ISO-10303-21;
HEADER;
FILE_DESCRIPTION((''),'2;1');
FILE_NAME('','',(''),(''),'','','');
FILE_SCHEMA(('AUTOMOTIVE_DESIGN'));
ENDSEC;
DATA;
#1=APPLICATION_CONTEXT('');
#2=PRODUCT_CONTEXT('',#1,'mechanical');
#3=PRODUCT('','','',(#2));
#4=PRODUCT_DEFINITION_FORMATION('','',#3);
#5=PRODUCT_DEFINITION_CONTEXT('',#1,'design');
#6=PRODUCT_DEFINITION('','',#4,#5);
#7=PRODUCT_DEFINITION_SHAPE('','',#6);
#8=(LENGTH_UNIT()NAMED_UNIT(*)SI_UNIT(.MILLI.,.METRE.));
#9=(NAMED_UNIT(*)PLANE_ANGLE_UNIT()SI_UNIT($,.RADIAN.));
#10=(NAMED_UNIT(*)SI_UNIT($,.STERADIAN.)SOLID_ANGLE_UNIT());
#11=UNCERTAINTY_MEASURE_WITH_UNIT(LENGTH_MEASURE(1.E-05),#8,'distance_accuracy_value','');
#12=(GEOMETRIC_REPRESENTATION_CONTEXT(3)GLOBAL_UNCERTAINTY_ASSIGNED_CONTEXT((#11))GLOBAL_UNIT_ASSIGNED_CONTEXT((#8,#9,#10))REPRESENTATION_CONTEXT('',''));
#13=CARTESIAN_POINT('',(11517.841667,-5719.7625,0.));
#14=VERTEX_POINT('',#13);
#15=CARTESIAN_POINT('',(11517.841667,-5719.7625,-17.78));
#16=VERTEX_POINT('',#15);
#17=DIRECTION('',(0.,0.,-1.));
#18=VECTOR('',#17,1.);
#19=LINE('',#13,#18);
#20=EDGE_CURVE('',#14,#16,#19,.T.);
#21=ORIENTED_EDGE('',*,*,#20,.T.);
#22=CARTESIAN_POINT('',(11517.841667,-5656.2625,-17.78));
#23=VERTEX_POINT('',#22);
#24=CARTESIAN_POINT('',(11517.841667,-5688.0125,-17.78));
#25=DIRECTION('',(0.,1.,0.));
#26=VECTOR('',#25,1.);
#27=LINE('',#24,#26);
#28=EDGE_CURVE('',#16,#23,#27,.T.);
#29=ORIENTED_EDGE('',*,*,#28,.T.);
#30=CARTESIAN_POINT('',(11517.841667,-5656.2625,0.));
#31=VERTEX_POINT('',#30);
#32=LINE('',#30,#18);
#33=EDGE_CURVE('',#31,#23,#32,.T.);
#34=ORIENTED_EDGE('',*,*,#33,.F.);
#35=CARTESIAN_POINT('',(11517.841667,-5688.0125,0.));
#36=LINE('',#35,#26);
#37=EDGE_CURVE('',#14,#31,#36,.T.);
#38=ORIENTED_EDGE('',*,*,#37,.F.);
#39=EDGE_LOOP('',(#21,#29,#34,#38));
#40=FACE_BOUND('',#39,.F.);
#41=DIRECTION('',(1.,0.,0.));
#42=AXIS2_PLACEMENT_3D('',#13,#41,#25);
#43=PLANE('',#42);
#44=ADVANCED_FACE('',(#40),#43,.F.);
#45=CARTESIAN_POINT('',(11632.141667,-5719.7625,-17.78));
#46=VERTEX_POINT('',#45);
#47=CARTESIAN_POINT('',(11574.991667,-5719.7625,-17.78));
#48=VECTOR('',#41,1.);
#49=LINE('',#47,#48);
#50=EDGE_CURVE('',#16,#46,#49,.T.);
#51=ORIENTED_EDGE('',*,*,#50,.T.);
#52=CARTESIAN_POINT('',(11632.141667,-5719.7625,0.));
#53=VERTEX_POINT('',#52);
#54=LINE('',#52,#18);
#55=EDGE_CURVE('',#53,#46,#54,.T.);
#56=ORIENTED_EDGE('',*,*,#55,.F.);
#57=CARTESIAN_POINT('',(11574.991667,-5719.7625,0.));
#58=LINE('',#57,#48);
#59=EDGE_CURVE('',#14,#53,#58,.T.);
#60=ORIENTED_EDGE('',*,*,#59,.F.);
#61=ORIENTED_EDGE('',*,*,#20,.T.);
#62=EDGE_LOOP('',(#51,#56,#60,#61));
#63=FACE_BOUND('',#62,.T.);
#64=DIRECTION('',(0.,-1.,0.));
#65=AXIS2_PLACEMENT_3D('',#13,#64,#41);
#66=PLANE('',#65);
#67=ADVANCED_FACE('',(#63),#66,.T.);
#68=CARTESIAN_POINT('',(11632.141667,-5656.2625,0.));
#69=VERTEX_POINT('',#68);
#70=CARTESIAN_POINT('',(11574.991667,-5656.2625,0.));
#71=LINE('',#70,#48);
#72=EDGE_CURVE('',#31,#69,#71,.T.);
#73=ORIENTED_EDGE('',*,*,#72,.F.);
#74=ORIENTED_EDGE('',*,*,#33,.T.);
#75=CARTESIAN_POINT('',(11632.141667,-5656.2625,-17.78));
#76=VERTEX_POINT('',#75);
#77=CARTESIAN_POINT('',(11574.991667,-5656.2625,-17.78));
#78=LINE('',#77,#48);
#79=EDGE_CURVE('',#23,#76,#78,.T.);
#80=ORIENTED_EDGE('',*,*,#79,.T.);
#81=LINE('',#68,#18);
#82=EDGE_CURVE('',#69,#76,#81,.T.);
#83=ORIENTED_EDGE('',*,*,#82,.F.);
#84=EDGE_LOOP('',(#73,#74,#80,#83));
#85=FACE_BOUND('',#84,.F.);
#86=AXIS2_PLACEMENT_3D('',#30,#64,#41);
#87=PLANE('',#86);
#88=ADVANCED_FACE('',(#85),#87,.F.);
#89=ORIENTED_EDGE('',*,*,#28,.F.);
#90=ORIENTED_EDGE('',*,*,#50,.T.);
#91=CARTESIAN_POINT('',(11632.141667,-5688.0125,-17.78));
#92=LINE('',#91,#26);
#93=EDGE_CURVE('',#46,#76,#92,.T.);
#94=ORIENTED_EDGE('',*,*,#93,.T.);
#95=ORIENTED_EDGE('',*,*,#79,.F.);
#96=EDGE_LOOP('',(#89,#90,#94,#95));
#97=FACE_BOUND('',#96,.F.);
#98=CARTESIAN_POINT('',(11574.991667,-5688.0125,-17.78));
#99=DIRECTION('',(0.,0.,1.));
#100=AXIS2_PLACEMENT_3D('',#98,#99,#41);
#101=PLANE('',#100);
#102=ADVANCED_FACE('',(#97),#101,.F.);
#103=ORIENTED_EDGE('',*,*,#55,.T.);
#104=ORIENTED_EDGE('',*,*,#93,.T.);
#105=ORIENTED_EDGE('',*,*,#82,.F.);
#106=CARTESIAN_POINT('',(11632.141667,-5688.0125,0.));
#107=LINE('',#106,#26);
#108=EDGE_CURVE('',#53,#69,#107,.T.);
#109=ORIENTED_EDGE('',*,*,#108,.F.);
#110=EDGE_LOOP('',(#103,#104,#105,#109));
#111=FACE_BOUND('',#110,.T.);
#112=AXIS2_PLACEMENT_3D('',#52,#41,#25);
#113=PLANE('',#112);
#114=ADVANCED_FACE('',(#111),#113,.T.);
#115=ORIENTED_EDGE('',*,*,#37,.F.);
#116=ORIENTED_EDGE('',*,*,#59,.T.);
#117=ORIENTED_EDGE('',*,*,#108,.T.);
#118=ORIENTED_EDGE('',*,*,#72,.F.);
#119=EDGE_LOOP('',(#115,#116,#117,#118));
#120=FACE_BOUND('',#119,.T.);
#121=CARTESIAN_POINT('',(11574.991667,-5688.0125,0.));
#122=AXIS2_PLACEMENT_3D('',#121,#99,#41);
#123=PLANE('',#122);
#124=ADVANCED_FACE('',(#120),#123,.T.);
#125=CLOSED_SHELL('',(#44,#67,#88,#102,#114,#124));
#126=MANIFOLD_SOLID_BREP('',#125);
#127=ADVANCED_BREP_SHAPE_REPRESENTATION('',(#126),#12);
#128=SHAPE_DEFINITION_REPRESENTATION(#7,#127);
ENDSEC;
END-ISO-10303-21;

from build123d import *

# Parameters (mm, degrees)
SKETCH2_W      = 114.3
SKETCH2_H      = 63.5
EXTRUDE1_DEPTH = 17.78


with BuildPart() as part:
    # Sketch2 → Extrude1 (new body)
    with BuildSketch(Plane.XY):
        with Locations((11574.991666666, -5688.0125)):
            Rectangle(SKETCH2_W, SKETCH2_H)
    extrude(amount=-EXTRUDE1_DEPTH)


solid = part.part
